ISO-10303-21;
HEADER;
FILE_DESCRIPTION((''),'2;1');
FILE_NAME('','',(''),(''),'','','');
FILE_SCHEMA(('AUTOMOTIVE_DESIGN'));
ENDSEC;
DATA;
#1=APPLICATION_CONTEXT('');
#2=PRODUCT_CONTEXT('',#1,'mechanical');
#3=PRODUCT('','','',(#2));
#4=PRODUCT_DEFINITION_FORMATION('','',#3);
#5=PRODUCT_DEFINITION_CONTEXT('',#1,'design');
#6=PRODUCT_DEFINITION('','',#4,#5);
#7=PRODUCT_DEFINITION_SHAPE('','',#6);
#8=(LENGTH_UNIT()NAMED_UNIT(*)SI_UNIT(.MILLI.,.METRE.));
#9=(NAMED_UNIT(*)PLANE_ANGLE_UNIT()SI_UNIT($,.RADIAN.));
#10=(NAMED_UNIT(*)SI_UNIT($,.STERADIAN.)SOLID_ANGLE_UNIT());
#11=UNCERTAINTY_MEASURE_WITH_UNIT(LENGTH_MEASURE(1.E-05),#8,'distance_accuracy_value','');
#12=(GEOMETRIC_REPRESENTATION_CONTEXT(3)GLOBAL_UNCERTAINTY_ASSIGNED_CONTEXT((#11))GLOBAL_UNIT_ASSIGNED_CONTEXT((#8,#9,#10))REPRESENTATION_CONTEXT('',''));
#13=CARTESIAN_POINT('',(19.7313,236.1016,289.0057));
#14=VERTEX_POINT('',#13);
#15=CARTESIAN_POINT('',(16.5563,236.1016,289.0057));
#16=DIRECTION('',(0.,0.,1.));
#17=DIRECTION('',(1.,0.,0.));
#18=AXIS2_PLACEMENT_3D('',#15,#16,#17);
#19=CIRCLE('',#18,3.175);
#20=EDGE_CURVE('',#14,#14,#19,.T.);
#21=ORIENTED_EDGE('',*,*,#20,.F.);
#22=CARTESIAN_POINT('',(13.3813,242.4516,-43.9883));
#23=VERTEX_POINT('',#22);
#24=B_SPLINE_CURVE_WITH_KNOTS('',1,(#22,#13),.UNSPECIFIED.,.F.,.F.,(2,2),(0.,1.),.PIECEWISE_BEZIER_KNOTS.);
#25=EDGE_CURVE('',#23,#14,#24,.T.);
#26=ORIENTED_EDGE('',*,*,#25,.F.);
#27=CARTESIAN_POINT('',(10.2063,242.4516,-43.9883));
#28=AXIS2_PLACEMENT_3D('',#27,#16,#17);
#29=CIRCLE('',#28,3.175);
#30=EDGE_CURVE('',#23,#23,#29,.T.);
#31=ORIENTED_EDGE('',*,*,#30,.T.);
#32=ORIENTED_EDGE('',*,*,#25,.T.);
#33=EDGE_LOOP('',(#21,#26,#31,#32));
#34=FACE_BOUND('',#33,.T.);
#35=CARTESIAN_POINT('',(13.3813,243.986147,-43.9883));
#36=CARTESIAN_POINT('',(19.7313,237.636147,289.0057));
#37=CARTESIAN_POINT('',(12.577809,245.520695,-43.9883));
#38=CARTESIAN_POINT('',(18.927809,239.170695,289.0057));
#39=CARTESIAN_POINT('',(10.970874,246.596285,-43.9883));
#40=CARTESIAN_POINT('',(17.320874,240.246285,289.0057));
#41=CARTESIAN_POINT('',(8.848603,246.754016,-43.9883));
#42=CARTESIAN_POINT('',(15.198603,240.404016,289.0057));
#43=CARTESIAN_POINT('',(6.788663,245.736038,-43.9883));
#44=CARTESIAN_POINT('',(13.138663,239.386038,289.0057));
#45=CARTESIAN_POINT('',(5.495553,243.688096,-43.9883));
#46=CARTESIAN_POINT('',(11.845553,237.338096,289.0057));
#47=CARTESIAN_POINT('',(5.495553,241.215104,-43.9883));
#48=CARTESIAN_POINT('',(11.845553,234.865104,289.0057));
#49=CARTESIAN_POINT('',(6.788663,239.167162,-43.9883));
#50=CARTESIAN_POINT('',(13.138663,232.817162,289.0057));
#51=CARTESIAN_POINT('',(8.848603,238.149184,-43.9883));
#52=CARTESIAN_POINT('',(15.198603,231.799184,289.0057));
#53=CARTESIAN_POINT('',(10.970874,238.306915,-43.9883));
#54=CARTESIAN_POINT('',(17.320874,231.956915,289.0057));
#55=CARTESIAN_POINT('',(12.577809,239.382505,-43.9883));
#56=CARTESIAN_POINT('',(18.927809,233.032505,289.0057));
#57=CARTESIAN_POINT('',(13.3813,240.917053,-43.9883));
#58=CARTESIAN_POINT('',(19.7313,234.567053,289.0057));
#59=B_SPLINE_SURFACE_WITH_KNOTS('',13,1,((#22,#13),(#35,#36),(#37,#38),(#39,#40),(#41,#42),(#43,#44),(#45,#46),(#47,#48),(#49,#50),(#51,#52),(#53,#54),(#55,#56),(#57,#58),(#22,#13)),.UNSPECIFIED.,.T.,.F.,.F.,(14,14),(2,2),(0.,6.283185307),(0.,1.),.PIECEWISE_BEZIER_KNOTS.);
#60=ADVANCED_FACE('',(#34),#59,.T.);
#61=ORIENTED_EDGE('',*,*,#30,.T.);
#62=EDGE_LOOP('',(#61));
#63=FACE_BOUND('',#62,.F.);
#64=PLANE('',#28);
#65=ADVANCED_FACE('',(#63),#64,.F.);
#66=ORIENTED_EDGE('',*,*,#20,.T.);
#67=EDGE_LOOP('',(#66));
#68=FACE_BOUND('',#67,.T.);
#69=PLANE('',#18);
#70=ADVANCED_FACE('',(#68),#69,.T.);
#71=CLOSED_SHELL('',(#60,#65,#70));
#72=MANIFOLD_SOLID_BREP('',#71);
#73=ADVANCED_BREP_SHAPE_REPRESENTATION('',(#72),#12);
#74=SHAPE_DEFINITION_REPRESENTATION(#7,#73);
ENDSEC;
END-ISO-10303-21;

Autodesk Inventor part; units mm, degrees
ref_plane "YZ Plane" through (0, 0, 0) normal (1, 0, 0) x (0, 1, 0)
ref_plane "XZ Plane" through (0, 0, 0) normal (0, 1, 0) x (-1, 0, 0)
ref_plane "XY Plane" through (0, 0, 0) normal (0, 0, 1) x (1, 0, 0)
ref_plane "Work Plane1" through (73.7063, 178.9516, -43.9883) normal (0, 0, 1) x (1, 0, 0)
sketch "Sketch1" plane through (73.7063, 178.9516, -43.9883) normal (0, 0, 1) x (1, 0, 0)
  circle A0 centre (-63.5, 63.5) radius 3.175 projected
ref_plane "Work Plane2" through (15.6318, 236.9932, 289.0057) normal (0, 0, 1) x (1, 0, 0)
sketch "Sketch2" plane through (15.6318, 236.9932, 289.0057) normal (0, 0, 1) x (1, 0, 0)
  circle A0 centre (0.9245, -0.8916) radius 3.175 projected
loft "Loft1" add profiles "Sketch1", "Sketch2"
properties part number "Center Rod"
